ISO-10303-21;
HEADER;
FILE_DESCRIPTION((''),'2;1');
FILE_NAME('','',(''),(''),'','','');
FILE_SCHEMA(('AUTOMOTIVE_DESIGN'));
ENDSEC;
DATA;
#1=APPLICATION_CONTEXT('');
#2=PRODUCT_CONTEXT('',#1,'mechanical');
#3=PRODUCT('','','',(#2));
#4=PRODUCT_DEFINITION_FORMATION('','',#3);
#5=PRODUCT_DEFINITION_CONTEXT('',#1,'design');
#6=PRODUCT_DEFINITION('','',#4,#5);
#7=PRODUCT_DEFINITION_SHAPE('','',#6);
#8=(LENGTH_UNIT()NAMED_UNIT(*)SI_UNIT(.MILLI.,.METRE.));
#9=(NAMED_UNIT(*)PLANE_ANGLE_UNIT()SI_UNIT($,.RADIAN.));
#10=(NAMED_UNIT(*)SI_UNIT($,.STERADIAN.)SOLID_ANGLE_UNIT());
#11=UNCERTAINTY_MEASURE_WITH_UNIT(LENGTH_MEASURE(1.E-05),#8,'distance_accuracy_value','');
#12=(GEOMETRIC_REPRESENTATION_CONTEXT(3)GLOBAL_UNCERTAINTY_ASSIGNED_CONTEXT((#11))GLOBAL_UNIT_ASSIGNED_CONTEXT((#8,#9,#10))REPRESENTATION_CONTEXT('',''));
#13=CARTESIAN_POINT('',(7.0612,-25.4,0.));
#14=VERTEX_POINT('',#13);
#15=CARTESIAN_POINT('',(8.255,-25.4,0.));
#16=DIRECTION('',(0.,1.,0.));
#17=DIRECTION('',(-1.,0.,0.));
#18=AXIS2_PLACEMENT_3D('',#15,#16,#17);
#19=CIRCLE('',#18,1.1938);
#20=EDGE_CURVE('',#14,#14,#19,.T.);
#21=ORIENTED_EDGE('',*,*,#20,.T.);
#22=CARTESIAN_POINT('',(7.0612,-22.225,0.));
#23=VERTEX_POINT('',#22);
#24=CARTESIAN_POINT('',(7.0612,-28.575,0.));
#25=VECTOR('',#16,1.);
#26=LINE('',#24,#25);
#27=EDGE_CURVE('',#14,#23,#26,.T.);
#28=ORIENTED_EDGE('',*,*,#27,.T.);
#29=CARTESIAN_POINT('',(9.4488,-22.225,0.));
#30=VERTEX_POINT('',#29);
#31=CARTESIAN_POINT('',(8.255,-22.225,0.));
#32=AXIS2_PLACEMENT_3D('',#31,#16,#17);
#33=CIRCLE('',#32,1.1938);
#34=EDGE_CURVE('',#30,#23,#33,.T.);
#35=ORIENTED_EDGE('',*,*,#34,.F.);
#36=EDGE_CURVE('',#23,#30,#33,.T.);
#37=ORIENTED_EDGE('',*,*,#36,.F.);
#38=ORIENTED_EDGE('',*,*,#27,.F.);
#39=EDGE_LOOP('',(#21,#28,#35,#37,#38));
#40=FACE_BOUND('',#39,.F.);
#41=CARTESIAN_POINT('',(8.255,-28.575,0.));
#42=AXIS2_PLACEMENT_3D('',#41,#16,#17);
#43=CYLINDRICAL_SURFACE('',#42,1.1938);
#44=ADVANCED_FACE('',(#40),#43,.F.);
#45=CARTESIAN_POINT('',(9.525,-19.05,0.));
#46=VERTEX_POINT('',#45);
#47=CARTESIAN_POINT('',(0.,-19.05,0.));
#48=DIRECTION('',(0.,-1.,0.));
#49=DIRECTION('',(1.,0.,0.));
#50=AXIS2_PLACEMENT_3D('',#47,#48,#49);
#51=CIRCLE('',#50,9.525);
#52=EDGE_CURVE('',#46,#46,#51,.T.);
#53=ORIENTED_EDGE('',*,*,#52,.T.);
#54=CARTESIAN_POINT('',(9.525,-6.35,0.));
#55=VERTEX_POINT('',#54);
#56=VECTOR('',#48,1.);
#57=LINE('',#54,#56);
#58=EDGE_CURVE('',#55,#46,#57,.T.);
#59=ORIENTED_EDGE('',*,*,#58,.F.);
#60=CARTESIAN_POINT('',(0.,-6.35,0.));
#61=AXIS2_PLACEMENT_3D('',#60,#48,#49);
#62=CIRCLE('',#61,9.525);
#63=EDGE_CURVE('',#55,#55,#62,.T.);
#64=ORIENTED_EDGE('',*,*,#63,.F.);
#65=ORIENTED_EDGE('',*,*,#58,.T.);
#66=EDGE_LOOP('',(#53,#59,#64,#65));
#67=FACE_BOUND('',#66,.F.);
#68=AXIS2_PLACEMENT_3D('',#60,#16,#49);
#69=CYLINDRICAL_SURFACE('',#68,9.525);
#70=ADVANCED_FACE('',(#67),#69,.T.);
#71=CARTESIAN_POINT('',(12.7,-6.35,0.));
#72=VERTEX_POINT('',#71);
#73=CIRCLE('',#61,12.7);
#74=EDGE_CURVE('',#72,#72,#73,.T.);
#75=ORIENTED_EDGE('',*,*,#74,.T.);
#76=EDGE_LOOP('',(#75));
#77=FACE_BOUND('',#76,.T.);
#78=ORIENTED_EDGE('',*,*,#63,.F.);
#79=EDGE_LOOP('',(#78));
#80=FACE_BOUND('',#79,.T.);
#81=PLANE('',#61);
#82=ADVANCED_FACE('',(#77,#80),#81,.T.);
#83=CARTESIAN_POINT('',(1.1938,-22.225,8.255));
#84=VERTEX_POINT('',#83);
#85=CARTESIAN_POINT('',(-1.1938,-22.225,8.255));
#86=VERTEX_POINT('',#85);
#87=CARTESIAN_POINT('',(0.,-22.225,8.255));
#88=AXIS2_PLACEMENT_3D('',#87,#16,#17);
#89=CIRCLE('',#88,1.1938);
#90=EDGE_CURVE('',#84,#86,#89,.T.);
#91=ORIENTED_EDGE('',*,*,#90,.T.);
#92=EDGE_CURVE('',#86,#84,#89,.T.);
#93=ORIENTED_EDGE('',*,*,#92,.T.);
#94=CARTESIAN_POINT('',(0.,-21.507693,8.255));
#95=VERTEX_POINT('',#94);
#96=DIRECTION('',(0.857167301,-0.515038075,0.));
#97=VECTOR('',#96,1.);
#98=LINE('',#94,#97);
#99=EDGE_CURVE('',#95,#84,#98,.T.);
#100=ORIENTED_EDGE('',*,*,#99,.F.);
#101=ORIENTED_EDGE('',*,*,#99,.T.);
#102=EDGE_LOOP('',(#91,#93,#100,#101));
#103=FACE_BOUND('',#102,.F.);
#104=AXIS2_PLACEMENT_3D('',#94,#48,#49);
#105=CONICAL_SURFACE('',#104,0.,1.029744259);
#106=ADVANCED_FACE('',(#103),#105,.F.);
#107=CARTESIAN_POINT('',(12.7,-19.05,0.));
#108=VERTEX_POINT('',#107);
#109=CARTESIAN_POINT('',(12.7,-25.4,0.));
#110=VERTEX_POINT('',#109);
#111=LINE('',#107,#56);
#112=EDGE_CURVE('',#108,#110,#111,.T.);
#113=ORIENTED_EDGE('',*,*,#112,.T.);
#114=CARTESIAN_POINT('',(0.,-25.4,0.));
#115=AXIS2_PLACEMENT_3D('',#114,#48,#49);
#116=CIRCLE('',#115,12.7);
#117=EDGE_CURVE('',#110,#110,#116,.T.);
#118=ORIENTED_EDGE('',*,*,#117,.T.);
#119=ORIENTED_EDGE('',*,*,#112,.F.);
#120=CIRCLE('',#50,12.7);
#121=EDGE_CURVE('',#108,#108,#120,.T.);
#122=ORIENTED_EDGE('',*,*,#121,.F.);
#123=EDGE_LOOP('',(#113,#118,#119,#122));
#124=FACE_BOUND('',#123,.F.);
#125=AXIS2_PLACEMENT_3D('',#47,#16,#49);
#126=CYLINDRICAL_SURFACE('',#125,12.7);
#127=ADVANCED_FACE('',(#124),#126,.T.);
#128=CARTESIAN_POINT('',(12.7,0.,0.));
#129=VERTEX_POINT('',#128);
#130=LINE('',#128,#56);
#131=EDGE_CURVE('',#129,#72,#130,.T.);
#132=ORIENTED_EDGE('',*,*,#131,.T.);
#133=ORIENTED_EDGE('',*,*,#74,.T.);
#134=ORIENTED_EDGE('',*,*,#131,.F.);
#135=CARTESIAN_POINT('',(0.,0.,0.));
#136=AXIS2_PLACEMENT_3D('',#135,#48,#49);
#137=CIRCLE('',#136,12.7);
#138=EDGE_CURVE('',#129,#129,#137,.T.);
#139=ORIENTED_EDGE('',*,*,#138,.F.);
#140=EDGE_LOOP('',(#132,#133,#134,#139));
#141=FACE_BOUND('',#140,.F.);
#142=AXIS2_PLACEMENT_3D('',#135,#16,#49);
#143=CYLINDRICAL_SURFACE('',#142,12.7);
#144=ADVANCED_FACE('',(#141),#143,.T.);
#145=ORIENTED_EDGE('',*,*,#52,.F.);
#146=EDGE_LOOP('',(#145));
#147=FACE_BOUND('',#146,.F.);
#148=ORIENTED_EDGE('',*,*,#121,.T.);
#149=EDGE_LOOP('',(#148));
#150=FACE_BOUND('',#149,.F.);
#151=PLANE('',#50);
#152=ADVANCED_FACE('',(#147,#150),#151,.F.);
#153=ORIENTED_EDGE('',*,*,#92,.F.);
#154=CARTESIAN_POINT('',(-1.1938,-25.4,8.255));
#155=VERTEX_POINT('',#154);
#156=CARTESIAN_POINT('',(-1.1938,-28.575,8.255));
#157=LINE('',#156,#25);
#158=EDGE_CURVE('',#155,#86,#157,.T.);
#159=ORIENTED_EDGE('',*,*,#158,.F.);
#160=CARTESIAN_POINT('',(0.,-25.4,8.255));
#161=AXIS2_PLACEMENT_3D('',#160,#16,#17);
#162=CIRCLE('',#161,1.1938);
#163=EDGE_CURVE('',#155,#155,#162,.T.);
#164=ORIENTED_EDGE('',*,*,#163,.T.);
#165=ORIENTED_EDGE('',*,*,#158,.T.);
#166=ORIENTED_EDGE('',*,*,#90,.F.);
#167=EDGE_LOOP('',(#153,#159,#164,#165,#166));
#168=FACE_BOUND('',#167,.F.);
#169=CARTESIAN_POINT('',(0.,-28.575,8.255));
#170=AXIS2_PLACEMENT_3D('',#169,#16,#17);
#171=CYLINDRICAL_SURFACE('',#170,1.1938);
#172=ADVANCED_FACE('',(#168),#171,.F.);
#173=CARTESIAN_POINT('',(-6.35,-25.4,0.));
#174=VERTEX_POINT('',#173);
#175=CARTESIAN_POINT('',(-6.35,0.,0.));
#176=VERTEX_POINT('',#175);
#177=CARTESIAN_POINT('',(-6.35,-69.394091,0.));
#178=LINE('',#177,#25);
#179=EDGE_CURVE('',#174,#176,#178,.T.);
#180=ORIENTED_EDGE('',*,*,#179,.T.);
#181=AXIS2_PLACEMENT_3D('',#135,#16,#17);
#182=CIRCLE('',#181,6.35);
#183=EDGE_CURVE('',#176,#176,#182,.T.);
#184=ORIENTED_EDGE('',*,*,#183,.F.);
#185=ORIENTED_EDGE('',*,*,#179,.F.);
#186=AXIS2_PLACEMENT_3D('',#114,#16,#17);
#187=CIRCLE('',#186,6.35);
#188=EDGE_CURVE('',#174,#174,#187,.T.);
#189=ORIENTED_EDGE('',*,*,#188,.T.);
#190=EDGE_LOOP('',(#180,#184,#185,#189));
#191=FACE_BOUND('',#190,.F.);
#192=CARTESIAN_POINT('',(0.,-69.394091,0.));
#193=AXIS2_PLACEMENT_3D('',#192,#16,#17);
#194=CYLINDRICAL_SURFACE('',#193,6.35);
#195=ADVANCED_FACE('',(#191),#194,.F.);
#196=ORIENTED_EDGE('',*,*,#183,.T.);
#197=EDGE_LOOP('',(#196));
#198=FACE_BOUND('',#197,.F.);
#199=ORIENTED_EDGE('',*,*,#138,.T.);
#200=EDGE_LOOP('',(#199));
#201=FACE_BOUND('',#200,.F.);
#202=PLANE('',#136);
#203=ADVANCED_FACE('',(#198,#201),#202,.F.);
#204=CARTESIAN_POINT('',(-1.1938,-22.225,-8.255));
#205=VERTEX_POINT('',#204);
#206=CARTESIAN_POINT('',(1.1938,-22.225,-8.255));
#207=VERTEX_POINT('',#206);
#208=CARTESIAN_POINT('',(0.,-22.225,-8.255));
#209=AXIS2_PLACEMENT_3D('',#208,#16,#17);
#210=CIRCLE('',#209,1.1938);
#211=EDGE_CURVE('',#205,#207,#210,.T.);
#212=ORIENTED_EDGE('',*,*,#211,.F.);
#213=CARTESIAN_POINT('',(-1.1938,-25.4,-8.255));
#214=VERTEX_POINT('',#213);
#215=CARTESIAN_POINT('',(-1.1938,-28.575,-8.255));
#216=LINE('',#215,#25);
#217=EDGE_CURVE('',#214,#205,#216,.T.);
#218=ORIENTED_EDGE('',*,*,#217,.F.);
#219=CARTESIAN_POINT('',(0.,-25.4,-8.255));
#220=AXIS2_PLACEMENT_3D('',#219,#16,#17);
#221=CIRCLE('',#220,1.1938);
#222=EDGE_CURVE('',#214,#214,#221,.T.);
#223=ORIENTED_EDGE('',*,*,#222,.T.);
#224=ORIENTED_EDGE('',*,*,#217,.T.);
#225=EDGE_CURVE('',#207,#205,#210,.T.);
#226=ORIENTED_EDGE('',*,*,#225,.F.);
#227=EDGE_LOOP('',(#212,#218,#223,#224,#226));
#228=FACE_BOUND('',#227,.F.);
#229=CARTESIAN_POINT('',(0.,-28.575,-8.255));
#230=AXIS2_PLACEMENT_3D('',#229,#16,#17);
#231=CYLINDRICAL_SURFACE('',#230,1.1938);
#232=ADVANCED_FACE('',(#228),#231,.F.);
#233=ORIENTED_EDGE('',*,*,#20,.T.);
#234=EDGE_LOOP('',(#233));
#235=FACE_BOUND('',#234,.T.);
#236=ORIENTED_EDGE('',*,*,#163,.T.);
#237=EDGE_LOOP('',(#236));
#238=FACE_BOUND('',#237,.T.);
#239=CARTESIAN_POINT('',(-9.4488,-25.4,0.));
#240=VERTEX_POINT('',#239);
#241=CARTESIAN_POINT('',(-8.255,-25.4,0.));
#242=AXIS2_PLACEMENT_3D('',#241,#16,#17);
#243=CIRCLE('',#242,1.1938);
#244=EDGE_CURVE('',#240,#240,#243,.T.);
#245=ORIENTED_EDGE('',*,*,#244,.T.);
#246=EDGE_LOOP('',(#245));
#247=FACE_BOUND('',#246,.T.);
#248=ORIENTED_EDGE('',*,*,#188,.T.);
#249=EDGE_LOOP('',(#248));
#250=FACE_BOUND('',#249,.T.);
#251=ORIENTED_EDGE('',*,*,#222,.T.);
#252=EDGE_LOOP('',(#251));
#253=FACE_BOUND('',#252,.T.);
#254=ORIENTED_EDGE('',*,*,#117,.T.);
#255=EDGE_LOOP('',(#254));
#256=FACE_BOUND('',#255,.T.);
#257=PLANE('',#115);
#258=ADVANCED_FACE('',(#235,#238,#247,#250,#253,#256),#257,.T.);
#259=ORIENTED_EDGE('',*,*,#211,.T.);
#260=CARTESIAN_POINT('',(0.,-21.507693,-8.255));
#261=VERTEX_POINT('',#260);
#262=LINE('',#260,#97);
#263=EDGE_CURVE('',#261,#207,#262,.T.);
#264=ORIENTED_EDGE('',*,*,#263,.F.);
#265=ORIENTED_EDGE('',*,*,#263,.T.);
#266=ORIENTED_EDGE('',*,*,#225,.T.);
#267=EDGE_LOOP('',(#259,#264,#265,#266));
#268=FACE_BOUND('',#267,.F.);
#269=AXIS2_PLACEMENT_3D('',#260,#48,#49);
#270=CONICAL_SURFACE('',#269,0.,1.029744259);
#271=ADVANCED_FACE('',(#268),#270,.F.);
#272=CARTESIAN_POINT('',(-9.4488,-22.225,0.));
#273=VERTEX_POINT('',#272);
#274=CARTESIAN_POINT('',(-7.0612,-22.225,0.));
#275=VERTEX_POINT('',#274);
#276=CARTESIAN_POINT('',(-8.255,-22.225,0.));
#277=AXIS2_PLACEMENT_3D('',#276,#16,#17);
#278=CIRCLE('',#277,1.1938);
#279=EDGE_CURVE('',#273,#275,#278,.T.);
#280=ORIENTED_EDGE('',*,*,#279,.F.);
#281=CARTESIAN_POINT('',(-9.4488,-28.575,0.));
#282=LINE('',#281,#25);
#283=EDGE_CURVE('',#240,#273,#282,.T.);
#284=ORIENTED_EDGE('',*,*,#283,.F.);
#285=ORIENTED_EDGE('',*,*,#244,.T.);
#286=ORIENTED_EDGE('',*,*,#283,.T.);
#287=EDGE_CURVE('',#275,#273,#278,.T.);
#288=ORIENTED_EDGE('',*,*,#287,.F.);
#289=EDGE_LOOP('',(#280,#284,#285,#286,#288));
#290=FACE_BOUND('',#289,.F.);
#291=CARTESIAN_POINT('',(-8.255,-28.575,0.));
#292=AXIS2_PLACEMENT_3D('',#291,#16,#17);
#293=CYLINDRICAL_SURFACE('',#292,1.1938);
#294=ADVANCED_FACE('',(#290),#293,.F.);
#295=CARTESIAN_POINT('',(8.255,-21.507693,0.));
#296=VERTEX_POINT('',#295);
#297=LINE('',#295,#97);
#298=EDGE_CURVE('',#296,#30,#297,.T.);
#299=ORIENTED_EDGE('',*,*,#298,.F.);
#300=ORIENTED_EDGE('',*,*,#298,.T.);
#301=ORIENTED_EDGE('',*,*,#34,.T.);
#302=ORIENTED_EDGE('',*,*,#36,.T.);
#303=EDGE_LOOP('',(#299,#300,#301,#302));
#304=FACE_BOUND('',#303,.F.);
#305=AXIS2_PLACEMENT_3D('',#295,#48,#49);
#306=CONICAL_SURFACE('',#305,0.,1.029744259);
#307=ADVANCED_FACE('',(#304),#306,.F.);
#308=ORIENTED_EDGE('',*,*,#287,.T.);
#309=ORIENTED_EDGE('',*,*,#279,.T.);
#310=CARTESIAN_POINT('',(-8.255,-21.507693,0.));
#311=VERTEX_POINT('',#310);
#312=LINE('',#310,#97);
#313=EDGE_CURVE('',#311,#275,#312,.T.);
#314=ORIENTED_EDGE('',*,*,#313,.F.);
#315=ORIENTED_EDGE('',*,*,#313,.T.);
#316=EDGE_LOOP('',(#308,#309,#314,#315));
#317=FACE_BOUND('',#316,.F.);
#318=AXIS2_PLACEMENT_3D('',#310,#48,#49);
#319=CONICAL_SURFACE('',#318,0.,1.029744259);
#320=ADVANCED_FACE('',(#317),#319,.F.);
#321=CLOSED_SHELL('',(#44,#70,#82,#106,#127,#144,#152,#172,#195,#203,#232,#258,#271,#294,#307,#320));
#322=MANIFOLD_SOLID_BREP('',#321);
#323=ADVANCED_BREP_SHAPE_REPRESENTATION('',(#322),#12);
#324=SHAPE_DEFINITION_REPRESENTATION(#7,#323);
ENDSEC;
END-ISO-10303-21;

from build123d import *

# Parameters (mm, degrees)
F0_R     = 12.7
F1_DEPTH = 6.35
F2_R     = 9.525
F3_DEPTH = 12.7
F4_R     = 12.7
F5_DEPTH = 6.35
F7_D     = 2.3876
F7_DEPTH = 3.175
F7_TIP   = 0.717307407
F9_D     = 12.7


with BuildPart() as f1:
    # F0 (on Front) → F1 (new body)
    with BuildSketch(Plane.XZ):
        Circle(F0_R)
    extrude(amount=F1_DEPTH)

    # F2 (on face) → F3 (join)
    with BuildSketch(Plane.XZ.offset(6.35)):
        Circle(F2_R)
    extrude(amount=F3_DEPTH)

    # F4 (on face) → F5 (join)
    with BuildSketch(Plane.XZ.offset(19.05)):
        Circle(F4_R)
    extrude(amount=F5_DEPTH)

    # F7
    with Locations(Plane.XZ.offset(25.4)):
        with Locations((-8.255, 0), (0, 8.255), (8.255, 0), (0, -8.255)):
            Hole(F7_D / 2, depth=F7_DEPTH)
            with Locations((0, 0, -(F7_DEPTH + F7_TIP / 2))):  # 118° drill point
                Cone(0, F7_D / 2, F7_TIP, mode=Mode.SUBTRACT)

    # F9 (through all)
    with Locations(Plane.XZ.offset(25.4)):
        with Locations((0, 0)):
            Hole(F9_D / 2)


solid = f1.part
